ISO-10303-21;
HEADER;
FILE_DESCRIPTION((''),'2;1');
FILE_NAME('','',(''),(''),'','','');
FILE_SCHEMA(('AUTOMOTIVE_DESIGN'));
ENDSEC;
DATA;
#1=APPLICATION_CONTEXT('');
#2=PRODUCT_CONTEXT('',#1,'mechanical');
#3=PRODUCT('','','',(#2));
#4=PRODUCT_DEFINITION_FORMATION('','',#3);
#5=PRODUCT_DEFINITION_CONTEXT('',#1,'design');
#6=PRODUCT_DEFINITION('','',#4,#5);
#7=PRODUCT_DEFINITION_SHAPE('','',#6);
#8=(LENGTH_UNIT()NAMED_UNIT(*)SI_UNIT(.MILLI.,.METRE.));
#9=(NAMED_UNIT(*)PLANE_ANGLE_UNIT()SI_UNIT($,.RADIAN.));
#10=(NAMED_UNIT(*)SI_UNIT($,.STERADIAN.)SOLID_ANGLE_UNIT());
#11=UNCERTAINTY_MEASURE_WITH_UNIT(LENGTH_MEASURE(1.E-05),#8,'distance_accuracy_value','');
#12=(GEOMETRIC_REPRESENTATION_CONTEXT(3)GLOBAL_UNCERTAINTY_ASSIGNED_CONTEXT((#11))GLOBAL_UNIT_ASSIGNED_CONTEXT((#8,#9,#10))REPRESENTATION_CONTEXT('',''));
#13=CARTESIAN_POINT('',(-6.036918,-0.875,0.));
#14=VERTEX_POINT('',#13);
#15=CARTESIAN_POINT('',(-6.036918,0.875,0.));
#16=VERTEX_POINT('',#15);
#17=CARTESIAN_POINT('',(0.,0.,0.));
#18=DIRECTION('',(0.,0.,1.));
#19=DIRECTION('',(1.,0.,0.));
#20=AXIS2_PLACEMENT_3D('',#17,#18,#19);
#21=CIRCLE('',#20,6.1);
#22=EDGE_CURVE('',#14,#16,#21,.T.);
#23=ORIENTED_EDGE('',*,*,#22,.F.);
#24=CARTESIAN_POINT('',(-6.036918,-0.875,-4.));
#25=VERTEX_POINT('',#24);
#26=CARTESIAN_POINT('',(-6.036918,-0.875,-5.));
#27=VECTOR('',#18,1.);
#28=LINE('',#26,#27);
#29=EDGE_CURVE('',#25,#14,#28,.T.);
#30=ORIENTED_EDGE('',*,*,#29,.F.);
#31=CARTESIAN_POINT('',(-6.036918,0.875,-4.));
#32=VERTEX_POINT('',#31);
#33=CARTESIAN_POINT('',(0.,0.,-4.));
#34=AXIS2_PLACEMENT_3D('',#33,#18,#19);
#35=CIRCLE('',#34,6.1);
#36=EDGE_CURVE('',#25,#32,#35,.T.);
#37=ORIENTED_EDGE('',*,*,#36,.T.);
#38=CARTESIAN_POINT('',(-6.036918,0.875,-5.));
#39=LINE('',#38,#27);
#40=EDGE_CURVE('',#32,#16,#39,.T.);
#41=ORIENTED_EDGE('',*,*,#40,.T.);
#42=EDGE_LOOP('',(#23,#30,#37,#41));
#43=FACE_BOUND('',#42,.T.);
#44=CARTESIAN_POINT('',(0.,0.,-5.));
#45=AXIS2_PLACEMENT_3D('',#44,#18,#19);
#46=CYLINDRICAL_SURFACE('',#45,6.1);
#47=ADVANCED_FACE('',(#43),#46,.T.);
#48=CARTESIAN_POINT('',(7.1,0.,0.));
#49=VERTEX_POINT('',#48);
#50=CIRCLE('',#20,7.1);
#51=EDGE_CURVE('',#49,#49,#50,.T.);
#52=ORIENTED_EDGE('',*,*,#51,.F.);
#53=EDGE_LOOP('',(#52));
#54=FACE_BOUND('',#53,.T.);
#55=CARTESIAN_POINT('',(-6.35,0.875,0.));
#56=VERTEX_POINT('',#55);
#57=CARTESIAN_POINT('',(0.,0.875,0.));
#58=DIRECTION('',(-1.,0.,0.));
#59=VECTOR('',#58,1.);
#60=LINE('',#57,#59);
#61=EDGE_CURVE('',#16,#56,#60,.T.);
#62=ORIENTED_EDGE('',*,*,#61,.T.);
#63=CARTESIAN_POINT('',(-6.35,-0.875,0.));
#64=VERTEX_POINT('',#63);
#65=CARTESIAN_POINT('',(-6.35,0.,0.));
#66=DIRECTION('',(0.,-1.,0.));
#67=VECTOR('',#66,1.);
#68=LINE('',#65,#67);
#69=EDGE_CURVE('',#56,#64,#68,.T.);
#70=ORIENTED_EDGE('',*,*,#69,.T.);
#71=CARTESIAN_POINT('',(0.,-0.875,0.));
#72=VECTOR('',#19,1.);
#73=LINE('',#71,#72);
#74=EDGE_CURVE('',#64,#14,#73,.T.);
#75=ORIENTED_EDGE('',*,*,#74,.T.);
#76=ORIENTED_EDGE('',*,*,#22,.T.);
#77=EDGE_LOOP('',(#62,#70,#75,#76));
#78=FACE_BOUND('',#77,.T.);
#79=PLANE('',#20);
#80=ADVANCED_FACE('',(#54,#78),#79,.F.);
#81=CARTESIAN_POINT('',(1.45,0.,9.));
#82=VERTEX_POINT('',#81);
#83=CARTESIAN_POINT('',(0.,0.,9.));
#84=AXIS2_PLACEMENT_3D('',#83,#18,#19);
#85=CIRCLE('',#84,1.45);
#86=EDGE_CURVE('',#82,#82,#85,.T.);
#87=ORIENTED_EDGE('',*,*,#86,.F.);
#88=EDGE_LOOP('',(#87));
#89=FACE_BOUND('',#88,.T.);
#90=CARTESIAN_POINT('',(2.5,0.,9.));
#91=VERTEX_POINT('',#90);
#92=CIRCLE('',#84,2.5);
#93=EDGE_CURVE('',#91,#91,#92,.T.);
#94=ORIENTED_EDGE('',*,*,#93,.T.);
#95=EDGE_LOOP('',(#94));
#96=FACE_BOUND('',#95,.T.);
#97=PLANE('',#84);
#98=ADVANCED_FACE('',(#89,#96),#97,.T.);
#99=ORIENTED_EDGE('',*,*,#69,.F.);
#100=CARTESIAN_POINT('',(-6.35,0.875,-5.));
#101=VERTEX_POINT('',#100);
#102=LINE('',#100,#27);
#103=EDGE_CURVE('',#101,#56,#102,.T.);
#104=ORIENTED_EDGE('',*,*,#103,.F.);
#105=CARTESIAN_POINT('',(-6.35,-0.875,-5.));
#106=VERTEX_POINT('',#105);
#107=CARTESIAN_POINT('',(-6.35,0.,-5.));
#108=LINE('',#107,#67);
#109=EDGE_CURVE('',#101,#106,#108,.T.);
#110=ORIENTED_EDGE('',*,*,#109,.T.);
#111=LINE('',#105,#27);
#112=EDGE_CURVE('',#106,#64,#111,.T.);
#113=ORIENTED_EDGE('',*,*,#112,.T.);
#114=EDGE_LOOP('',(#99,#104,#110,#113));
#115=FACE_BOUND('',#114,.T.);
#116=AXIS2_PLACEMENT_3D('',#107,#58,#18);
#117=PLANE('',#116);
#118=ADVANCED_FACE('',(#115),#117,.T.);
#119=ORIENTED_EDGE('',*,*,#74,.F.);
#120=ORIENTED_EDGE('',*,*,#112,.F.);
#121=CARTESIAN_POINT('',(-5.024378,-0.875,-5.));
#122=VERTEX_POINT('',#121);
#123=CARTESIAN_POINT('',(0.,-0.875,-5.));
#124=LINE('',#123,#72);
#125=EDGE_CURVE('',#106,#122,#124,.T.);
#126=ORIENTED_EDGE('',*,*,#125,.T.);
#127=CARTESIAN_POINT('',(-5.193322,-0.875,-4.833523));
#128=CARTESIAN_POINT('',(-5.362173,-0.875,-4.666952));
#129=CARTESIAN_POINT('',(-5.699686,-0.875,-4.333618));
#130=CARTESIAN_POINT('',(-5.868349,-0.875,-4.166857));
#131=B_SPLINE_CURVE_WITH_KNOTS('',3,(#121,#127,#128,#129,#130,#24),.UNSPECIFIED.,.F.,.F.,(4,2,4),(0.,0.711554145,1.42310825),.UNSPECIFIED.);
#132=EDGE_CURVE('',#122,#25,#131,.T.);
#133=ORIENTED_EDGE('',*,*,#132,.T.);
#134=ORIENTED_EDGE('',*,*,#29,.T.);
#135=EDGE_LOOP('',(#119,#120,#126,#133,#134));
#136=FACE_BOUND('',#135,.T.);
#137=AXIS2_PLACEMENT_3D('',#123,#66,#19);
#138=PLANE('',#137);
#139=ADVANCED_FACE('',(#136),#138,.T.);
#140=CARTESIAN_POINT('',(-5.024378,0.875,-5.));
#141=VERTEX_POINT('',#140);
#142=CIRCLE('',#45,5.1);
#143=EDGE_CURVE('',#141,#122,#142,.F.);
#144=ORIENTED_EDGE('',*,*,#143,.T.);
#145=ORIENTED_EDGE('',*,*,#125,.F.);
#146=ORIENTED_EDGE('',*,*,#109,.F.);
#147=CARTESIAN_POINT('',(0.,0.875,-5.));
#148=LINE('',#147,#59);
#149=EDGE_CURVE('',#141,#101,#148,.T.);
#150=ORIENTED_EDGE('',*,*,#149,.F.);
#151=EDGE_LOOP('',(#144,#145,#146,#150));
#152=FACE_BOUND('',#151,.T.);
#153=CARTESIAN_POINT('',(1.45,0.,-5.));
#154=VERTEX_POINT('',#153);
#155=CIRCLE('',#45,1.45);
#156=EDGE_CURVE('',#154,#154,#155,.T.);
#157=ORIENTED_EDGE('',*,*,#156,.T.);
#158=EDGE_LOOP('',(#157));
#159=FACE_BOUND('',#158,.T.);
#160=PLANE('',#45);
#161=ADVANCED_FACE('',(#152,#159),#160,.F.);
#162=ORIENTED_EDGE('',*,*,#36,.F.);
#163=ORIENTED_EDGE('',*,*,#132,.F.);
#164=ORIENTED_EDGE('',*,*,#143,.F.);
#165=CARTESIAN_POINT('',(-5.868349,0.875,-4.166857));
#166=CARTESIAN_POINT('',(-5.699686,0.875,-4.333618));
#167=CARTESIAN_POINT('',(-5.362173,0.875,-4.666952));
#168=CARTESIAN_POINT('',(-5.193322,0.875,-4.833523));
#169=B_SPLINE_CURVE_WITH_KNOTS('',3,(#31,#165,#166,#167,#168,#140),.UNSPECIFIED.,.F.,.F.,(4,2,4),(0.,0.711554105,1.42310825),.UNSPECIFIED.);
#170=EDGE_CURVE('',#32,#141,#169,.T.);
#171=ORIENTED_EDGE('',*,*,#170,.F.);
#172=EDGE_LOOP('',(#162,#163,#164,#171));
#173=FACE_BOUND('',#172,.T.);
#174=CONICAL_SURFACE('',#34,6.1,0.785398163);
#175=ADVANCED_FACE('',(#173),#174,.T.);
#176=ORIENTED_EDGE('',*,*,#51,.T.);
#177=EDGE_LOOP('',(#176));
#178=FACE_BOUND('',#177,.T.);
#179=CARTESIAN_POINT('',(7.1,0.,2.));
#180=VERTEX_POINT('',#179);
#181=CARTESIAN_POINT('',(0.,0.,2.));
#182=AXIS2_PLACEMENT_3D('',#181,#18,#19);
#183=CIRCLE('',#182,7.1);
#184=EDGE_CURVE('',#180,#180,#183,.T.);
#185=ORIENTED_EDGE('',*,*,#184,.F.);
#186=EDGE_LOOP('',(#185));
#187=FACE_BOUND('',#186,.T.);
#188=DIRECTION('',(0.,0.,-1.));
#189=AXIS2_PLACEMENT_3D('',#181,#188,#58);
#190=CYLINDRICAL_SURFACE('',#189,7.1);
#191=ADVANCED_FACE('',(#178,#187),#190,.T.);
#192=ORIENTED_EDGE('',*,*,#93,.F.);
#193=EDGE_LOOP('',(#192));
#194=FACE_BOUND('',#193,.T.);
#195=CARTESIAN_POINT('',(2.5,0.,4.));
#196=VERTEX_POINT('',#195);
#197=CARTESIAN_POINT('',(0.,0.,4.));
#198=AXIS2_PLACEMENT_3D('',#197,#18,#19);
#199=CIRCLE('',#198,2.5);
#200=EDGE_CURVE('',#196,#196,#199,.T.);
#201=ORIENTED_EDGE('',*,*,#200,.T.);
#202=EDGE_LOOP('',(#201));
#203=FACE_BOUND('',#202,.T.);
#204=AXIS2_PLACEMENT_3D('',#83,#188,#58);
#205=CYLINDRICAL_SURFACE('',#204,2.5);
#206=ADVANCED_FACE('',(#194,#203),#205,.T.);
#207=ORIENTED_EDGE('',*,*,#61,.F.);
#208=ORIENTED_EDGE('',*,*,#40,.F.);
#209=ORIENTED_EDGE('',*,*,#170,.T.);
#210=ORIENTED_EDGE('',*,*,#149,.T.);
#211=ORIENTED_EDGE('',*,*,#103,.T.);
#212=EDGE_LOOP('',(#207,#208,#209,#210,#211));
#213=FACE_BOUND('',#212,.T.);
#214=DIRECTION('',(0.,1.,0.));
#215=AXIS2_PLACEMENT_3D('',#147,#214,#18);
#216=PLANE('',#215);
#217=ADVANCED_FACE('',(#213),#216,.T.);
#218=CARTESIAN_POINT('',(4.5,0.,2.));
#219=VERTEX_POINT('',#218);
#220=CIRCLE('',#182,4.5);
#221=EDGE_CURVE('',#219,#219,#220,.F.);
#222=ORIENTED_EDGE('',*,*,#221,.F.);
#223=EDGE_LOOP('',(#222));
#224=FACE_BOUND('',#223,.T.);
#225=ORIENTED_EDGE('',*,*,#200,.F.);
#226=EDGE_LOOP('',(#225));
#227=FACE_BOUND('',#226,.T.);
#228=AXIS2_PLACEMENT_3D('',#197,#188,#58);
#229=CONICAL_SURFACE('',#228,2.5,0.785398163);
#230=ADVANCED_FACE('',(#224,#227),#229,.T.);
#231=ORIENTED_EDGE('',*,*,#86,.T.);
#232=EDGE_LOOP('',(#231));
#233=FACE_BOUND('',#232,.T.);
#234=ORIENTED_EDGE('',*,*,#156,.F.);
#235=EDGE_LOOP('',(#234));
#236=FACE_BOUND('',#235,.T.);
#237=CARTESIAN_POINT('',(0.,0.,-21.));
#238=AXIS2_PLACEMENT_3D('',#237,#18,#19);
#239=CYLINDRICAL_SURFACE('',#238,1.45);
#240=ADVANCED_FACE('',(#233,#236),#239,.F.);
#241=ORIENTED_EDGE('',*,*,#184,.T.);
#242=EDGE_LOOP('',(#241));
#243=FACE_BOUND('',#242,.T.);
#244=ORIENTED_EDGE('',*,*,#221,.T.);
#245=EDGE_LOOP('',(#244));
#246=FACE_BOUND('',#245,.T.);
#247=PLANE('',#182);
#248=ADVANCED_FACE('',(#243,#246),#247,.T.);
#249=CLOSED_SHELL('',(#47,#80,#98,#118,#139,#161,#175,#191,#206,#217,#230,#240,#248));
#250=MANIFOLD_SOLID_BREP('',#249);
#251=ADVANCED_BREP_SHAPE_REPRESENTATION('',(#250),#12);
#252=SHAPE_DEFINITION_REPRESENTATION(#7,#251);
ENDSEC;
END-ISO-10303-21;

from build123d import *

# Parameters (mm, degrees)
EXTRUDE_1_DEPTH     = 5
SKETCH_2_R          = 7.1
EXTRUDE_2_DEPTH     = 2
SKETCH_3_R          = 2.5
EXTRUDE_3_DEPTH     = 7
CHAMFER_1_SIZE      = 2
SKETCH_4_R          = 1.45
CUT_EXTRUDE_1_DEPTH = 30
CHAMFER_2_SIZE      = 1


with BuildPart() as part:
    # ｽｹｯﾁ1 → ﾎﾞｽ - 押し出し1 (new body)
    with BuildSketch(Plane.XY):
        with BuildLine():
            Line((-6.35, -0.875), (-6.036917674, -0.875))
            ThreePointArc((-6.036917674, -0.875), (6.1, 0), (-6.036917674, 0.875))
            Line((-6.036917674, 0.875), (-6.35, 0.875))
            Line((-6.35, 0.875), (-6.35, -0.875))
        make_face()
    extrude(amount=-EXTRUDE_1_DEPTH)

    # ｽｹｯﾁ2 → ﾎﾞｽ - 押し出し2 (add)
    with BuildSketch(Plane.XY):
        Circle(SKETCH_2_R)
    extrude(amount=EXTRUDE_2_DEPTH)

    # ｽｹｯﾁ3 → ﾎﾞｽ - 押し出し3 (add)
    with BuildSketch(Plane.XY.offset(2)):
        Circle(SKETCH_3_R)
    extrude(amount=EXTRUDE_3_DEPTH)

    # 面取り1
    chamfer_1_edges = [part.edges().sort_by_distance(p)[0] for p in [
        (-2.5, 0, 2),
    ]]
    chamfer(chamfer_1_edges, length=CHAMFER_1_SIZE)

    # ｽｹｯﾁ4 → ｶｯﾄ - 押し出し1 (cut)
    with BuildSketch(Plane.XY.offset(9)):
        Circle(SKETCH_4_R)
    extrude(amount=-CUT_EXTRUDE_1_DEPTH, mode=Mode.SUBTRACT)

    # 面取り2
    chamfer_2_edges = [part.edges().sort_by_distance(p)[0] for p in [
        (6.1, 0, -5),
    ]]
    chamfer(chamfer_2_edges, length=CHAMFER_2_SIZE)


solid = part.part
